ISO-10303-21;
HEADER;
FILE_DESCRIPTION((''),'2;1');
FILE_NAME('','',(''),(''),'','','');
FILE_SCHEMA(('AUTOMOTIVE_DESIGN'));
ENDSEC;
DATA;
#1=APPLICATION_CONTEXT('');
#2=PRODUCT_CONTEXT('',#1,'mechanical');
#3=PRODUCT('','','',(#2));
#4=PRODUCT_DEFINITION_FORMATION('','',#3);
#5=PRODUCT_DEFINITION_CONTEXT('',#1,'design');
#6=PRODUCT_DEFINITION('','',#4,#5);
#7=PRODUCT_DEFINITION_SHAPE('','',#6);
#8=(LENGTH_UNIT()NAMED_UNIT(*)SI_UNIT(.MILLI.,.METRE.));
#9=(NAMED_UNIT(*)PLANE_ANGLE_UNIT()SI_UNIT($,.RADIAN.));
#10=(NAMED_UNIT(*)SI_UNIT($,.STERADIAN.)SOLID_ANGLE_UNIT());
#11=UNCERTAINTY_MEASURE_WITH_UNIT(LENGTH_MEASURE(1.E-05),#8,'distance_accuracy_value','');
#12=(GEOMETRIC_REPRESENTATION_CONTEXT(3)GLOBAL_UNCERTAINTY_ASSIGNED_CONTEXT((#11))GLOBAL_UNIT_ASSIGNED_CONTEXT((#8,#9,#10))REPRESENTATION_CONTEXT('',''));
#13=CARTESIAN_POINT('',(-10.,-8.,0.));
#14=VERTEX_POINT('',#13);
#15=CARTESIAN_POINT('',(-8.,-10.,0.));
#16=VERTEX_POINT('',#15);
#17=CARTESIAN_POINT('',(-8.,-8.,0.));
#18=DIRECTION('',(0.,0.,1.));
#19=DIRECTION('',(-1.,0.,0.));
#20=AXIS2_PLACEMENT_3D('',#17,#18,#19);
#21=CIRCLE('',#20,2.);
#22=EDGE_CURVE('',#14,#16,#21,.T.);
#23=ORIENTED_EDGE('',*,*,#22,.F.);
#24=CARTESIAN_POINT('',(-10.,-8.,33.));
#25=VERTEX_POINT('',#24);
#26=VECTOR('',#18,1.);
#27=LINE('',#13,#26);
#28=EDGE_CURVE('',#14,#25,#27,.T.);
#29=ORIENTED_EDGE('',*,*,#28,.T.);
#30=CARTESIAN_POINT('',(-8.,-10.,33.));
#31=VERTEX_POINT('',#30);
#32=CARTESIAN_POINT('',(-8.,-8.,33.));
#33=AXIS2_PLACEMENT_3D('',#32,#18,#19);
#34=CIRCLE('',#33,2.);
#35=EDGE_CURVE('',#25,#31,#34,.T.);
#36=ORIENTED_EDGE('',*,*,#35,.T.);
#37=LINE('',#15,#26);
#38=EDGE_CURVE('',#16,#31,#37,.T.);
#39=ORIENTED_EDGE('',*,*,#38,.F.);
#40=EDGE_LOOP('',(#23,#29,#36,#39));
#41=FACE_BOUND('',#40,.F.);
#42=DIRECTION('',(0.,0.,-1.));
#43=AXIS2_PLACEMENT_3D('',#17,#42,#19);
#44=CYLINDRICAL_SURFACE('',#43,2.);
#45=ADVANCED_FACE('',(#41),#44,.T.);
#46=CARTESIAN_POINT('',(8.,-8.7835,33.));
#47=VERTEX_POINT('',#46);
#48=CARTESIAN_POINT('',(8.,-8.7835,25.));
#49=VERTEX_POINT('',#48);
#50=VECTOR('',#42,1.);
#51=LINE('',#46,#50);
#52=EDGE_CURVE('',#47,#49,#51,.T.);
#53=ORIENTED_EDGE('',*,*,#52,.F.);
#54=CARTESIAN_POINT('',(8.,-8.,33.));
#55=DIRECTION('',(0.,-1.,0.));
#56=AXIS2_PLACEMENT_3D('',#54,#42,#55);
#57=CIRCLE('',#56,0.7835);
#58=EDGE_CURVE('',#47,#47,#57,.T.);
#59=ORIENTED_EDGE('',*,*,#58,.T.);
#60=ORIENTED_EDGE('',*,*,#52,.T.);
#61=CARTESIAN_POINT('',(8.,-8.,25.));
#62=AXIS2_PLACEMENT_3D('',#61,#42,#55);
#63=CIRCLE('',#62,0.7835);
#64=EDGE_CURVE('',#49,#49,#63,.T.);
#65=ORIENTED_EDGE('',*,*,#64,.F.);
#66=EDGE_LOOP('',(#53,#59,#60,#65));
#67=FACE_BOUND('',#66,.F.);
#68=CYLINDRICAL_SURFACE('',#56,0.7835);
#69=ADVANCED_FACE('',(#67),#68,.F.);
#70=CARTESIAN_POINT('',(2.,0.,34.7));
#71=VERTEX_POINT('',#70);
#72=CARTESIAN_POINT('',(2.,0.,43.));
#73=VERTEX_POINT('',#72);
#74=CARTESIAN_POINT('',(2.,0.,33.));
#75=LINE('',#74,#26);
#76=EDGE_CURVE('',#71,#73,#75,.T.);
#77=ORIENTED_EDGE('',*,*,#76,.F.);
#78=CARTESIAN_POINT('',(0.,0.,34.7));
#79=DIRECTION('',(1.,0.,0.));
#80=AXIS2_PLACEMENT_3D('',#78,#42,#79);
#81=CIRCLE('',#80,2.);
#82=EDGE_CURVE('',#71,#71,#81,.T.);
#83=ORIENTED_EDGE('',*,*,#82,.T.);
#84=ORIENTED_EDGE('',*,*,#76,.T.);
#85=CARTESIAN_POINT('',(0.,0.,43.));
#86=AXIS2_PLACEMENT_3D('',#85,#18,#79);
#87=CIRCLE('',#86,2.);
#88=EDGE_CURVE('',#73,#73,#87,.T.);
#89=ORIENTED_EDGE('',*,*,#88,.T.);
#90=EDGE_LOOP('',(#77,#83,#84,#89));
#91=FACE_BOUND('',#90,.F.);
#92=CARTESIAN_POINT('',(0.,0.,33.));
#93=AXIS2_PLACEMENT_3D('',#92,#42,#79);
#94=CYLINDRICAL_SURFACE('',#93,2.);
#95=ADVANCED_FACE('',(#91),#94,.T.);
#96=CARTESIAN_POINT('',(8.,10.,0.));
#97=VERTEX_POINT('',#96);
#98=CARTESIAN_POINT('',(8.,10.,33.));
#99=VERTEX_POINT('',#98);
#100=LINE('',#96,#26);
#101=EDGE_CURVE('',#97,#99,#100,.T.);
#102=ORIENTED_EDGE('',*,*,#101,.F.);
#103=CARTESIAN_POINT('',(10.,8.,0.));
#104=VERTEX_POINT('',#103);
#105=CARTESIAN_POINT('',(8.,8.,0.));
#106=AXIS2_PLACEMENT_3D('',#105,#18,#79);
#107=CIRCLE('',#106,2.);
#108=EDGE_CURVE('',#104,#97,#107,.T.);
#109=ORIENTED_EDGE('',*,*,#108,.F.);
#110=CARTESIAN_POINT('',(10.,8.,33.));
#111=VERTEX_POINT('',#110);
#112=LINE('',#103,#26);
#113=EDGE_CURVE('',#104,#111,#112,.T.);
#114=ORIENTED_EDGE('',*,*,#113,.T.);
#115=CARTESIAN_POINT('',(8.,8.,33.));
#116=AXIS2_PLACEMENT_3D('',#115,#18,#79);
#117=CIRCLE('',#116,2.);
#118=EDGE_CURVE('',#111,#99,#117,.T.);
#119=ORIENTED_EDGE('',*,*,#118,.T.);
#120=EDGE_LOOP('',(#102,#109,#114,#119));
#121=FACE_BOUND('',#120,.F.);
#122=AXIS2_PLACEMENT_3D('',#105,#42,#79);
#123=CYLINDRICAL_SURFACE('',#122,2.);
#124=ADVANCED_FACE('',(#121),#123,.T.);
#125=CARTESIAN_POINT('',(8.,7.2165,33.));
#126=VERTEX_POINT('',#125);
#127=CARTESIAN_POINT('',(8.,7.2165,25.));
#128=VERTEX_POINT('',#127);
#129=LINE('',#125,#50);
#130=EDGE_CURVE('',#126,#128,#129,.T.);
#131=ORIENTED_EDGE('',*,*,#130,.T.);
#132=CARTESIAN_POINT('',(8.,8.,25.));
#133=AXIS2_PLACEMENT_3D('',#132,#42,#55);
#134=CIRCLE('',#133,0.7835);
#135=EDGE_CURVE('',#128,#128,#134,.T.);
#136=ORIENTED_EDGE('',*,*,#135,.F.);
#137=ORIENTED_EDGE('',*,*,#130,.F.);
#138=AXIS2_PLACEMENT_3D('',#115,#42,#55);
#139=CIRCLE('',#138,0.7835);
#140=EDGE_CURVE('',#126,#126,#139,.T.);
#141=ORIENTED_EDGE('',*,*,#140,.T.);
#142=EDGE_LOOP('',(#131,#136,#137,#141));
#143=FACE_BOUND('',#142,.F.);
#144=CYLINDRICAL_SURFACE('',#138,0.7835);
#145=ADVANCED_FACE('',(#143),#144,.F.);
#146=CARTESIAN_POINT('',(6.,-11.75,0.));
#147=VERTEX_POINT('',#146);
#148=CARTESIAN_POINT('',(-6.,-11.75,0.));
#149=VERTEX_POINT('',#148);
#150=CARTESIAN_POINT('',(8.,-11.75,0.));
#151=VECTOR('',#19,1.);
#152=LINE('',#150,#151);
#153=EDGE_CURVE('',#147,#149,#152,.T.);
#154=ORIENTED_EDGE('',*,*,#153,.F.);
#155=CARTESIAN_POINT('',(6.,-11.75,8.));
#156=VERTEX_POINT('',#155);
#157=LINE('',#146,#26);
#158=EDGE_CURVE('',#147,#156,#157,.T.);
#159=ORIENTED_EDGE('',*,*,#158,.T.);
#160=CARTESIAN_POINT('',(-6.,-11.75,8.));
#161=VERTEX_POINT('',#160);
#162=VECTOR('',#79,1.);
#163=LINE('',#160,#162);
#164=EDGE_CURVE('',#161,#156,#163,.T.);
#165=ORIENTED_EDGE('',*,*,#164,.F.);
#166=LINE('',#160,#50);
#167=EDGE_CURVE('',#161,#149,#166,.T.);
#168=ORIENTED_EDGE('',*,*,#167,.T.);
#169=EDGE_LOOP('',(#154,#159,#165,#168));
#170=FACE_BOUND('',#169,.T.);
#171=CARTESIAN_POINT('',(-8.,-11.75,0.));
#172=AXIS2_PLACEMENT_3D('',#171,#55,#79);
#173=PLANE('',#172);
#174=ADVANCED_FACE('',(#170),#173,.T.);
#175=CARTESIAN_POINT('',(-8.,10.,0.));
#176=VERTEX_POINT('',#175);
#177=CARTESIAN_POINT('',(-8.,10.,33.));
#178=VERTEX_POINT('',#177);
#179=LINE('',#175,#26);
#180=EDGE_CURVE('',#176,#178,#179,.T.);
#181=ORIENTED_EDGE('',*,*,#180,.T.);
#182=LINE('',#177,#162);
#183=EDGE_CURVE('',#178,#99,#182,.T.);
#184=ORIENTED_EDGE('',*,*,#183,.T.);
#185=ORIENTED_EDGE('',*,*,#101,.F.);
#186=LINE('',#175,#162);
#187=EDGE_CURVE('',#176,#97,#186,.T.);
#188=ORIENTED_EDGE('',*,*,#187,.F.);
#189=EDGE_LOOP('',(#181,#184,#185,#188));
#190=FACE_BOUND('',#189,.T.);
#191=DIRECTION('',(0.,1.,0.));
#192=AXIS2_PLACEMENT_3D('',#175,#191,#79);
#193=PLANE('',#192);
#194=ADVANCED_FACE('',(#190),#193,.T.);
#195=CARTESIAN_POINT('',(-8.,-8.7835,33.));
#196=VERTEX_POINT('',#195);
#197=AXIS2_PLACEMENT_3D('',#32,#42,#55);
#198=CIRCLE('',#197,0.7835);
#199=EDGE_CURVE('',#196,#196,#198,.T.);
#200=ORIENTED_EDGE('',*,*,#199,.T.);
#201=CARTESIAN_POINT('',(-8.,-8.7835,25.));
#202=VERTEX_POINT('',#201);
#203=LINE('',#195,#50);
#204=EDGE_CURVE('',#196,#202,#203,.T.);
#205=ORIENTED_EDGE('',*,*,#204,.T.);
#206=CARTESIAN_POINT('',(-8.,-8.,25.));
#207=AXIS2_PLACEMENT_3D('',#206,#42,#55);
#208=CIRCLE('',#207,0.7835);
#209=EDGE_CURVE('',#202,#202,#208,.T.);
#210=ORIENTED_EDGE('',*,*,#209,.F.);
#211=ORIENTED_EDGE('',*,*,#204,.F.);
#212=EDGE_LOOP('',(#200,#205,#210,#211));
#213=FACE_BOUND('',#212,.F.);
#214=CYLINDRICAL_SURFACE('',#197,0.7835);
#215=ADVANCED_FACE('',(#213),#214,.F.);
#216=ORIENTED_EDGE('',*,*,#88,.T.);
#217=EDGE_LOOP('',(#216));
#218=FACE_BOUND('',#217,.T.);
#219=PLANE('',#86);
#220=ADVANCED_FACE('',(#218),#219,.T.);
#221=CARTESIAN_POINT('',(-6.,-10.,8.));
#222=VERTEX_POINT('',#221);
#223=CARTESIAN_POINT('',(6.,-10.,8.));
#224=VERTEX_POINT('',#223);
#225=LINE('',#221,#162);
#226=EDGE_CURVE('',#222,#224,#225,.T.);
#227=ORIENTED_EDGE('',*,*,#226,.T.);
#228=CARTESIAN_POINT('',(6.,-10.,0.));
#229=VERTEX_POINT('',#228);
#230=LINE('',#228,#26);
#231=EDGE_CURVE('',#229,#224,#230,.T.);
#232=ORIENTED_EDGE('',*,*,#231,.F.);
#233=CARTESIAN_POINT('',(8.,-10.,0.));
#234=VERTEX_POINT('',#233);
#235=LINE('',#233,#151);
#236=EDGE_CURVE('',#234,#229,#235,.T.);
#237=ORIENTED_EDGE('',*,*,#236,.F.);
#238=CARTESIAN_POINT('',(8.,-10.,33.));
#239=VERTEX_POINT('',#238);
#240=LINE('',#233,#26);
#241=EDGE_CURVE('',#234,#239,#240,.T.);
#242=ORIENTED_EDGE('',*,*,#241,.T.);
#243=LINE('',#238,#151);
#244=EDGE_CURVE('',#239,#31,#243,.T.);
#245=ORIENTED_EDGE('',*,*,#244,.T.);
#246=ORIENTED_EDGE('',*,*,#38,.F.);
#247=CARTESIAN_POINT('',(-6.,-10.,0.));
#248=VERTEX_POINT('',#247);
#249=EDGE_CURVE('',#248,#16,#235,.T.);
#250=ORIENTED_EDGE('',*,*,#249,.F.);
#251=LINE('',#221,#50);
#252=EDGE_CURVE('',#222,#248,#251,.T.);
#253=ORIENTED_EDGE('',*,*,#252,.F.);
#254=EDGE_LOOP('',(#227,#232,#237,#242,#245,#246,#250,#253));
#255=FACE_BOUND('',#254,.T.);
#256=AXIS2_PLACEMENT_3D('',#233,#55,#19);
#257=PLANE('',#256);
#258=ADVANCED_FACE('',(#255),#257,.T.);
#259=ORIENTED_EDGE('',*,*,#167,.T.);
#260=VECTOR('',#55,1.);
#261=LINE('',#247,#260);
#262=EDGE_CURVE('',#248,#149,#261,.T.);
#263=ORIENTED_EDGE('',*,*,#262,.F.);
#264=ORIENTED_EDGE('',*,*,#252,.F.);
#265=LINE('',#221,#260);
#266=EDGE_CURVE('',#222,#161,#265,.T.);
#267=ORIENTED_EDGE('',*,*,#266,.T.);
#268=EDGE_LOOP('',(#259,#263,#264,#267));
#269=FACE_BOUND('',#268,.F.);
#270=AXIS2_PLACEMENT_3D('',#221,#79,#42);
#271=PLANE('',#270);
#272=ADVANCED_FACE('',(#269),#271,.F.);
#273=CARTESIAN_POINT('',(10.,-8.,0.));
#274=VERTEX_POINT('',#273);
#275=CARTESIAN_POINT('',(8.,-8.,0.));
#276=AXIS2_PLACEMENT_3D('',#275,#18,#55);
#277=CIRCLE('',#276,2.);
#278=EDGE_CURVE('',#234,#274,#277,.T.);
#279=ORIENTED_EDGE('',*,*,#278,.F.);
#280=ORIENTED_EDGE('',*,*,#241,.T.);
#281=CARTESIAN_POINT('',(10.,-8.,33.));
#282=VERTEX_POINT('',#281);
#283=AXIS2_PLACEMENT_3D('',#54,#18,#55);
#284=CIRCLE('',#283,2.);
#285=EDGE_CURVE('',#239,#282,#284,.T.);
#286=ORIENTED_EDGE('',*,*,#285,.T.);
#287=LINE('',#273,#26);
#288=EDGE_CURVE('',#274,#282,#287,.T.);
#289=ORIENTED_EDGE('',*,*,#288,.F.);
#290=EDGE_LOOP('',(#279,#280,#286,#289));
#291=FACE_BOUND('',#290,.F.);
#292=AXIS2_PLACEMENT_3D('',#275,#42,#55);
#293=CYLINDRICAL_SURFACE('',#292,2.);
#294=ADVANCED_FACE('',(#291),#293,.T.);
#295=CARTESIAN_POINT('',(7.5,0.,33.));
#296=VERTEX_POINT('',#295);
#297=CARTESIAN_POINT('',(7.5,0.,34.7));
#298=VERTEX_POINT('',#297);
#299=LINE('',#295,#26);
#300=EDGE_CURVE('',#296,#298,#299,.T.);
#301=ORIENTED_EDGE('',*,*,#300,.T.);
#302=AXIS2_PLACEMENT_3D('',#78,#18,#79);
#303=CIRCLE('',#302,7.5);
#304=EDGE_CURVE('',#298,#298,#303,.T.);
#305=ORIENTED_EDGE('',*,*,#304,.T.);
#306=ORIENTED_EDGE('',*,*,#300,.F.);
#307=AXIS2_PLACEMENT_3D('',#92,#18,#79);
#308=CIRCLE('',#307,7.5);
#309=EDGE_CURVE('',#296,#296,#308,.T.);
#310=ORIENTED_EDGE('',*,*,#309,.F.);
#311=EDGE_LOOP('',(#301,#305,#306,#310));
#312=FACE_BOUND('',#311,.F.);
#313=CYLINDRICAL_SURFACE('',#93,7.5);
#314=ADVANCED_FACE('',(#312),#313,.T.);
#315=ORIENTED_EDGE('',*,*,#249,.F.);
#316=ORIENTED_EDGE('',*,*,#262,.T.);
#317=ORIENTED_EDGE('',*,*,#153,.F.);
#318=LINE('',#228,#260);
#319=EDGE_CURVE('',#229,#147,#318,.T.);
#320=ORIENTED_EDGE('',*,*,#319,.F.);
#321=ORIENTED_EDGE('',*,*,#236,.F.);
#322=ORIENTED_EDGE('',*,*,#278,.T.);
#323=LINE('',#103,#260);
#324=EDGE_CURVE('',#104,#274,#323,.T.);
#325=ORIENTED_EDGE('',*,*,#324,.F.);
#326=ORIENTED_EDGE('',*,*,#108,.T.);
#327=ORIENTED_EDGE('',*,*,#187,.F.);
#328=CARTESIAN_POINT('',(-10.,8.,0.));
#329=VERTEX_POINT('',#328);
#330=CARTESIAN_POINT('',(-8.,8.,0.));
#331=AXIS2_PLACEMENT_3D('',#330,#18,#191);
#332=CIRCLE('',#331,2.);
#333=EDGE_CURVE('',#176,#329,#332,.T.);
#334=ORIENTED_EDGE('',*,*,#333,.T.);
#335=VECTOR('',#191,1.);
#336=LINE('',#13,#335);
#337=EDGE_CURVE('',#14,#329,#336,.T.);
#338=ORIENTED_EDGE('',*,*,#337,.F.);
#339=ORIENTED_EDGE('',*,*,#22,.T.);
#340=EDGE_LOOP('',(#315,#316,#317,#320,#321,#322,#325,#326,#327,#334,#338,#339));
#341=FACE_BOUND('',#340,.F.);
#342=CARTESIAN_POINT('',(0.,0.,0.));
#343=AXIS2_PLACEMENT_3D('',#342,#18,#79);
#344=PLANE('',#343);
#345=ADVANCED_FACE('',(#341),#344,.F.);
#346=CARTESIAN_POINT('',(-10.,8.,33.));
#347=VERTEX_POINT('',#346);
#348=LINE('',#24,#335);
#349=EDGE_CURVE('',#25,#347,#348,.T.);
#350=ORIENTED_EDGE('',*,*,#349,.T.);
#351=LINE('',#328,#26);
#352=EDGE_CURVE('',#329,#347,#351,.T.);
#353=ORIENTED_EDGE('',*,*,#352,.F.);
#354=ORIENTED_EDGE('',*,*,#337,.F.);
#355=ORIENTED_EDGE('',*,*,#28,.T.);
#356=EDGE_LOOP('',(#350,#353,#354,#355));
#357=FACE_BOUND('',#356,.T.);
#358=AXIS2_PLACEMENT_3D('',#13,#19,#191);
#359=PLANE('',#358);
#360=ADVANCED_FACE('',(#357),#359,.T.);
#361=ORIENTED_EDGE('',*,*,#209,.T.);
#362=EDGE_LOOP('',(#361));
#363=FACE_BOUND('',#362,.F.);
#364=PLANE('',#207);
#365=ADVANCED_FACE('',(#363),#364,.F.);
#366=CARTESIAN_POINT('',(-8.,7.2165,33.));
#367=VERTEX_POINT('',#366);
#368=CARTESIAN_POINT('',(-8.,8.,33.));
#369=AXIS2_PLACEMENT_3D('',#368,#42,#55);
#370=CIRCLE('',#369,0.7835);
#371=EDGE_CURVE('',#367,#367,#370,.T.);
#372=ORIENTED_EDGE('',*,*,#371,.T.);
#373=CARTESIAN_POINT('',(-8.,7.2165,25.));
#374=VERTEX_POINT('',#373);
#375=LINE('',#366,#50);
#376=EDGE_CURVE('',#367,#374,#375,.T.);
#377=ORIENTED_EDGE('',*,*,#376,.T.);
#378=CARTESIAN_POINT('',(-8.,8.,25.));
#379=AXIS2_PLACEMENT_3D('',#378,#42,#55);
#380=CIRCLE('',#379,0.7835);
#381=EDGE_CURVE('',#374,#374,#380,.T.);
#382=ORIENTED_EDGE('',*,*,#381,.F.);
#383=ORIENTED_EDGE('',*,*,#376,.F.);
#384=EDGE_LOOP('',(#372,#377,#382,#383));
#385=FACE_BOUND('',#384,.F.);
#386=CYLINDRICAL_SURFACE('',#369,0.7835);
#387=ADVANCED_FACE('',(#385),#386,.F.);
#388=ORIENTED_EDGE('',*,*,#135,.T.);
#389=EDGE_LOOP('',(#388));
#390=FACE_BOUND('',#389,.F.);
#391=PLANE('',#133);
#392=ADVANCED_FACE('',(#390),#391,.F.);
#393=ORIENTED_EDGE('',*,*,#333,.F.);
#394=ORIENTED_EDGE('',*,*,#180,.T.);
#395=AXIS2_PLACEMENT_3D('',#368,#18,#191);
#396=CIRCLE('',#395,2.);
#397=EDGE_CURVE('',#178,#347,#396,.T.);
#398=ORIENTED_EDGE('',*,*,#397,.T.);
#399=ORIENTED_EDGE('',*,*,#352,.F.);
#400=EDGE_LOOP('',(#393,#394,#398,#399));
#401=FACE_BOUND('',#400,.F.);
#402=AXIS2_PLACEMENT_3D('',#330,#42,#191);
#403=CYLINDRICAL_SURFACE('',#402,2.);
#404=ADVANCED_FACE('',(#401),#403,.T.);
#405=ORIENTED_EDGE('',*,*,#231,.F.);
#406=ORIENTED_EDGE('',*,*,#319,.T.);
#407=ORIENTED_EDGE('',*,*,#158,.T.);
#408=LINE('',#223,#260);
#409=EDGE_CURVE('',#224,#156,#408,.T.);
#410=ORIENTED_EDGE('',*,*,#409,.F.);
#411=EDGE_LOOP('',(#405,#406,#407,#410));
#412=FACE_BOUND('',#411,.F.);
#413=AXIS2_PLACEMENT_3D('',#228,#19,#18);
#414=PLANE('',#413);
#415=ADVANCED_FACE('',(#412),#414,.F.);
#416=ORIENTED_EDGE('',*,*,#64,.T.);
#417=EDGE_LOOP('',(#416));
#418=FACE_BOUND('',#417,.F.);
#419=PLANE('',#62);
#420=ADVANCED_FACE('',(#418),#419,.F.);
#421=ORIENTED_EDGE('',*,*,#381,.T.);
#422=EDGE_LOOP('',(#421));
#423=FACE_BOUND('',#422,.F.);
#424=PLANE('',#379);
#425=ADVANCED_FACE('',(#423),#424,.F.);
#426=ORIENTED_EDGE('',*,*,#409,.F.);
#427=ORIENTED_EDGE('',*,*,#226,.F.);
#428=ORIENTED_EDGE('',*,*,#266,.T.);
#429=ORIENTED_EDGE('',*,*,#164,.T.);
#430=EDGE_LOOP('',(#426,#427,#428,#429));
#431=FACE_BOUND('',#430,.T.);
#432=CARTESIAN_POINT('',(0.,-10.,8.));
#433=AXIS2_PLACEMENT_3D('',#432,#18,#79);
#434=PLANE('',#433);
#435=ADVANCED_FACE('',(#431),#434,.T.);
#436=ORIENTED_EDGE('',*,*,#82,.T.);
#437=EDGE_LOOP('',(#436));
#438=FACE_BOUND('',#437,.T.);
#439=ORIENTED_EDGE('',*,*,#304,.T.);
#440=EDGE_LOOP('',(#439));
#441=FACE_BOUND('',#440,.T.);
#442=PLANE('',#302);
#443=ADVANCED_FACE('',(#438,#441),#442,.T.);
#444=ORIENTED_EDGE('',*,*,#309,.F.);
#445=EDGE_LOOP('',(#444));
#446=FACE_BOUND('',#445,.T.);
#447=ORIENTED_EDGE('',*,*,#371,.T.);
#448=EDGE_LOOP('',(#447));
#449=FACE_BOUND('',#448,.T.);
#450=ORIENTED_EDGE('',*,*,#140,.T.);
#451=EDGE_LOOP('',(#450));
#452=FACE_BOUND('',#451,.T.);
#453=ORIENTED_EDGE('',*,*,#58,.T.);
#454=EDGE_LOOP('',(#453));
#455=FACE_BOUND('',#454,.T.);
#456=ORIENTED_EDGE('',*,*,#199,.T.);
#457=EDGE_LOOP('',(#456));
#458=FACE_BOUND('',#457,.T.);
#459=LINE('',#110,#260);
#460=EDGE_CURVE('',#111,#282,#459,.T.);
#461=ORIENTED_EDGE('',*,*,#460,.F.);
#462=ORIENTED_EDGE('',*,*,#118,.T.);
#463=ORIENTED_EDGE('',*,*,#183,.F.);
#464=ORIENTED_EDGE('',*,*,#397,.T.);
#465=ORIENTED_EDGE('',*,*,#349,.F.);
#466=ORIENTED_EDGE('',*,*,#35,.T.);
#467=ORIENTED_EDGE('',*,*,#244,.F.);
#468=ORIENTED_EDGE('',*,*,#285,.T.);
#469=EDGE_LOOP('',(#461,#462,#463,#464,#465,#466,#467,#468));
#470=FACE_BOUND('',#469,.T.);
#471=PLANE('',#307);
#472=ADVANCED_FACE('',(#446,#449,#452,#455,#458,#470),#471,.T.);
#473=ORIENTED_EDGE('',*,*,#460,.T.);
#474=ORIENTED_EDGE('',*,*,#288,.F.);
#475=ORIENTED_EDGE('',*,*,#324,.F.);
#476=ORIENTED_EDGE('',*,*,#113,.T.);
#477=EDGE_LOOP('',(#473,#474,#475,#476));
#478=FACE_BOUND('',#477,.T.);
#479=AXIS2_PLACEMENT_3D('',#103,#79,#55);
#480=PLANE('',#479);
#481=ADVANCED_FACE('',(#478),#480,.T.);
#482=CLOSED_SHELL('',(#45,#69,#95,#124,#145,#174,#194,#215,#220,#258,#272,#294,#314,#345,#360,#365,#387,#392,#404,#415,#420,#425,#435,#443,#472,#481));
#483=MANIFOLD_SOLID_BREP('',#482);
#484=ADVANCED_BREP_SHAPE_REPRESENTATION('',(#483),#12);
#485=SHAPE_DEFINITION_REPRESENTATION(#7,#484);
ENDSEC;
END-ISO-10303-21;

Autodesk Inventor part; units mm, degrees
ref_plane "YZ Plane" through (0, 0, 0) normal (1, 0, 0) x (0, 1, 0)
ref_plane "XZ Plane" through (0, 0, 0) normal (0, 1, 0) x (-1, 0, 0)
ref_plane "XY Plane" through (0, 0, 0) normal (0, 0, 1) x (1, 0, 0)
sketch "Sketch1" plane through (0, 0, 0) normal (0, 0, 1) x (1, 0, 0)
  line L0 (-8, 10) -> (8, 10)
  line L1 (10, 8) -> (10, -8)
  line L2 (8, -10) -> (-8, -10)
  line L3 (-10, -8) -> (-10, 8)
  line L4 (0, 0) -> (10, 0) construction
  line L5 (0, 0) -> (0, 10) construction
  arc A0 (-8, 10) -> (-10, 8) centre (-8, 8) ccw
  arc A1 (-10, -8) -> (-8, -10) centre (-8, -8) ccw
  arc A2 (8, -10) -> (10, -8) centre (8, -8) ccw
  arc A3 (10, 8) -> (8, 10) centre (8, 8) ccw
  point P0 (10, -10)
  point P1 (10, 10)
  dimension "d1" = 20
  dimension "d3" = 16
extrude "Extrusion1" add sketch "Sketch1" along normal blind 33
sketch "Sketch2" plane through (0, 0, 33) normal (0, 0, 1) x (1, 0, 0)
  circle A0 centre (0, 0) radius 7.5
  dimension "d6" = 15
extrude "Extrusion2" add sketch "Sketch2" along normal blind 1.7
sketch "Sketch3" plane through (0, 0, 34.7) normal (0, 0, 1) x (1, 0, 0)
  circle A0 centre (0, 0) radius 2
  dimension "d9" = 4
extrude "Extrusion3" add sketch "Sketch3" along normal blind 10 from surface at -1.7
sketch "Sketch4" plane through (-8, -10, 0) normal (0, -1, 0) x (1, 0, 0)
  line L0 (16, 0) -> (0, 0) projected
  line L1 (2, 0) -> (14, 0)
  line L2 (14, 0) -> (14, 8)
  line L3 (8, 8) -> (2, 8)
  line L4 (2, 8) -> (2, 0)
  line L5 (8, 0) -> (8, 46.0613) construction
  line L6 (8, 8) -> (14, 8)
  dimension "d12" = 12
  dimension "d13" = 8
extrude "Extrusion4" add sketch "Sketch4" along normal blind 1.75
sketch "Sketch5" plane through (0, 0, 33) normal (0, 0, 1) x (1, 0, 0)
  line L0 (8, 10) -> (-8, 10) construction
  line L1 (6, -10) -> (8, -10) construction
  line L2 (-8, 10) -> (8, 10) construction
  line L3 (8, 10) -> (8, -10) construction
  line L4 (8, -10) -> (-8, -10) construction
  line L5 (-8, -10) -> (-8, 10) construction
  line L6 (10, -8) -> (10, 8) construction
  line L7 (-10, 8) -> (-10, -8) construction
  line L8 (10, 8) -> (-10, 8) construction
  line L9 (-10, 8) -> (-10, -8) construction
  line L10 (-10, -8) -> (10, -8) construction
  line L11 (10, -8) -> (10, 8) construction
  point P0 (0, 0)
  point P1 (-8, 8)
  point P2 (8, 8)
  point P3 (8, -8)
  point P4 (-8, -8)
hole "Hole1" at (-8, 8, 33) at (8, 8, 33) at (8, -8, 33) at (-8, -8, 33) direction (0, 0, -1) diameter 1.567 depth 8 thread size "M2x0.4" class "6H" standard "ANSI Metric M Profile"
sketch "Sketch6" plane through (0, 0, 0) normal (0, 0, -1) x (-1, 0, 0)
  line L0 (-4, -10.25) -> (4, -10.25)
  line L1 (4, -10.25) -> (4, -10.75)
  line L2 (-4, -10.75) -> (-4, -10.25)
  line L3 (0, 0) -> (0, -11.75) construction
  line L4 (-6, -11.75) -> (6, -11.75) construction
  line L5 (4, -10.75) -> (0, -10.75)
  line L6 (-4, -10.75) -> (0, -10.75)
  line L7 (8, -10) -> (-8, -10) projected
  dimension "d23" = 8
  dimension "d24" = 0.5
  dimension "d25" = 1
extrude "Extrusion5" [suppressed]
equation "\"d13\" = extrusionHeight"
equation "\"d21\" = screwDepth"
equation "\"d23\" = ribbonWidth"
equation "\"d24\" = ribbonThickness"
equation "\"d25\" = ribbonEdgeOffset"
equation "\"extrusionHeight\" = 8"
equation "\"screwDepth\" = 8"
equation "\"ribbonWidth\" = 8"
equation "\"ribbonThickness\" = 0.5"
equation "\"ribbonEdgeOffset\" = 1"
properties part number "StepperMotor"
